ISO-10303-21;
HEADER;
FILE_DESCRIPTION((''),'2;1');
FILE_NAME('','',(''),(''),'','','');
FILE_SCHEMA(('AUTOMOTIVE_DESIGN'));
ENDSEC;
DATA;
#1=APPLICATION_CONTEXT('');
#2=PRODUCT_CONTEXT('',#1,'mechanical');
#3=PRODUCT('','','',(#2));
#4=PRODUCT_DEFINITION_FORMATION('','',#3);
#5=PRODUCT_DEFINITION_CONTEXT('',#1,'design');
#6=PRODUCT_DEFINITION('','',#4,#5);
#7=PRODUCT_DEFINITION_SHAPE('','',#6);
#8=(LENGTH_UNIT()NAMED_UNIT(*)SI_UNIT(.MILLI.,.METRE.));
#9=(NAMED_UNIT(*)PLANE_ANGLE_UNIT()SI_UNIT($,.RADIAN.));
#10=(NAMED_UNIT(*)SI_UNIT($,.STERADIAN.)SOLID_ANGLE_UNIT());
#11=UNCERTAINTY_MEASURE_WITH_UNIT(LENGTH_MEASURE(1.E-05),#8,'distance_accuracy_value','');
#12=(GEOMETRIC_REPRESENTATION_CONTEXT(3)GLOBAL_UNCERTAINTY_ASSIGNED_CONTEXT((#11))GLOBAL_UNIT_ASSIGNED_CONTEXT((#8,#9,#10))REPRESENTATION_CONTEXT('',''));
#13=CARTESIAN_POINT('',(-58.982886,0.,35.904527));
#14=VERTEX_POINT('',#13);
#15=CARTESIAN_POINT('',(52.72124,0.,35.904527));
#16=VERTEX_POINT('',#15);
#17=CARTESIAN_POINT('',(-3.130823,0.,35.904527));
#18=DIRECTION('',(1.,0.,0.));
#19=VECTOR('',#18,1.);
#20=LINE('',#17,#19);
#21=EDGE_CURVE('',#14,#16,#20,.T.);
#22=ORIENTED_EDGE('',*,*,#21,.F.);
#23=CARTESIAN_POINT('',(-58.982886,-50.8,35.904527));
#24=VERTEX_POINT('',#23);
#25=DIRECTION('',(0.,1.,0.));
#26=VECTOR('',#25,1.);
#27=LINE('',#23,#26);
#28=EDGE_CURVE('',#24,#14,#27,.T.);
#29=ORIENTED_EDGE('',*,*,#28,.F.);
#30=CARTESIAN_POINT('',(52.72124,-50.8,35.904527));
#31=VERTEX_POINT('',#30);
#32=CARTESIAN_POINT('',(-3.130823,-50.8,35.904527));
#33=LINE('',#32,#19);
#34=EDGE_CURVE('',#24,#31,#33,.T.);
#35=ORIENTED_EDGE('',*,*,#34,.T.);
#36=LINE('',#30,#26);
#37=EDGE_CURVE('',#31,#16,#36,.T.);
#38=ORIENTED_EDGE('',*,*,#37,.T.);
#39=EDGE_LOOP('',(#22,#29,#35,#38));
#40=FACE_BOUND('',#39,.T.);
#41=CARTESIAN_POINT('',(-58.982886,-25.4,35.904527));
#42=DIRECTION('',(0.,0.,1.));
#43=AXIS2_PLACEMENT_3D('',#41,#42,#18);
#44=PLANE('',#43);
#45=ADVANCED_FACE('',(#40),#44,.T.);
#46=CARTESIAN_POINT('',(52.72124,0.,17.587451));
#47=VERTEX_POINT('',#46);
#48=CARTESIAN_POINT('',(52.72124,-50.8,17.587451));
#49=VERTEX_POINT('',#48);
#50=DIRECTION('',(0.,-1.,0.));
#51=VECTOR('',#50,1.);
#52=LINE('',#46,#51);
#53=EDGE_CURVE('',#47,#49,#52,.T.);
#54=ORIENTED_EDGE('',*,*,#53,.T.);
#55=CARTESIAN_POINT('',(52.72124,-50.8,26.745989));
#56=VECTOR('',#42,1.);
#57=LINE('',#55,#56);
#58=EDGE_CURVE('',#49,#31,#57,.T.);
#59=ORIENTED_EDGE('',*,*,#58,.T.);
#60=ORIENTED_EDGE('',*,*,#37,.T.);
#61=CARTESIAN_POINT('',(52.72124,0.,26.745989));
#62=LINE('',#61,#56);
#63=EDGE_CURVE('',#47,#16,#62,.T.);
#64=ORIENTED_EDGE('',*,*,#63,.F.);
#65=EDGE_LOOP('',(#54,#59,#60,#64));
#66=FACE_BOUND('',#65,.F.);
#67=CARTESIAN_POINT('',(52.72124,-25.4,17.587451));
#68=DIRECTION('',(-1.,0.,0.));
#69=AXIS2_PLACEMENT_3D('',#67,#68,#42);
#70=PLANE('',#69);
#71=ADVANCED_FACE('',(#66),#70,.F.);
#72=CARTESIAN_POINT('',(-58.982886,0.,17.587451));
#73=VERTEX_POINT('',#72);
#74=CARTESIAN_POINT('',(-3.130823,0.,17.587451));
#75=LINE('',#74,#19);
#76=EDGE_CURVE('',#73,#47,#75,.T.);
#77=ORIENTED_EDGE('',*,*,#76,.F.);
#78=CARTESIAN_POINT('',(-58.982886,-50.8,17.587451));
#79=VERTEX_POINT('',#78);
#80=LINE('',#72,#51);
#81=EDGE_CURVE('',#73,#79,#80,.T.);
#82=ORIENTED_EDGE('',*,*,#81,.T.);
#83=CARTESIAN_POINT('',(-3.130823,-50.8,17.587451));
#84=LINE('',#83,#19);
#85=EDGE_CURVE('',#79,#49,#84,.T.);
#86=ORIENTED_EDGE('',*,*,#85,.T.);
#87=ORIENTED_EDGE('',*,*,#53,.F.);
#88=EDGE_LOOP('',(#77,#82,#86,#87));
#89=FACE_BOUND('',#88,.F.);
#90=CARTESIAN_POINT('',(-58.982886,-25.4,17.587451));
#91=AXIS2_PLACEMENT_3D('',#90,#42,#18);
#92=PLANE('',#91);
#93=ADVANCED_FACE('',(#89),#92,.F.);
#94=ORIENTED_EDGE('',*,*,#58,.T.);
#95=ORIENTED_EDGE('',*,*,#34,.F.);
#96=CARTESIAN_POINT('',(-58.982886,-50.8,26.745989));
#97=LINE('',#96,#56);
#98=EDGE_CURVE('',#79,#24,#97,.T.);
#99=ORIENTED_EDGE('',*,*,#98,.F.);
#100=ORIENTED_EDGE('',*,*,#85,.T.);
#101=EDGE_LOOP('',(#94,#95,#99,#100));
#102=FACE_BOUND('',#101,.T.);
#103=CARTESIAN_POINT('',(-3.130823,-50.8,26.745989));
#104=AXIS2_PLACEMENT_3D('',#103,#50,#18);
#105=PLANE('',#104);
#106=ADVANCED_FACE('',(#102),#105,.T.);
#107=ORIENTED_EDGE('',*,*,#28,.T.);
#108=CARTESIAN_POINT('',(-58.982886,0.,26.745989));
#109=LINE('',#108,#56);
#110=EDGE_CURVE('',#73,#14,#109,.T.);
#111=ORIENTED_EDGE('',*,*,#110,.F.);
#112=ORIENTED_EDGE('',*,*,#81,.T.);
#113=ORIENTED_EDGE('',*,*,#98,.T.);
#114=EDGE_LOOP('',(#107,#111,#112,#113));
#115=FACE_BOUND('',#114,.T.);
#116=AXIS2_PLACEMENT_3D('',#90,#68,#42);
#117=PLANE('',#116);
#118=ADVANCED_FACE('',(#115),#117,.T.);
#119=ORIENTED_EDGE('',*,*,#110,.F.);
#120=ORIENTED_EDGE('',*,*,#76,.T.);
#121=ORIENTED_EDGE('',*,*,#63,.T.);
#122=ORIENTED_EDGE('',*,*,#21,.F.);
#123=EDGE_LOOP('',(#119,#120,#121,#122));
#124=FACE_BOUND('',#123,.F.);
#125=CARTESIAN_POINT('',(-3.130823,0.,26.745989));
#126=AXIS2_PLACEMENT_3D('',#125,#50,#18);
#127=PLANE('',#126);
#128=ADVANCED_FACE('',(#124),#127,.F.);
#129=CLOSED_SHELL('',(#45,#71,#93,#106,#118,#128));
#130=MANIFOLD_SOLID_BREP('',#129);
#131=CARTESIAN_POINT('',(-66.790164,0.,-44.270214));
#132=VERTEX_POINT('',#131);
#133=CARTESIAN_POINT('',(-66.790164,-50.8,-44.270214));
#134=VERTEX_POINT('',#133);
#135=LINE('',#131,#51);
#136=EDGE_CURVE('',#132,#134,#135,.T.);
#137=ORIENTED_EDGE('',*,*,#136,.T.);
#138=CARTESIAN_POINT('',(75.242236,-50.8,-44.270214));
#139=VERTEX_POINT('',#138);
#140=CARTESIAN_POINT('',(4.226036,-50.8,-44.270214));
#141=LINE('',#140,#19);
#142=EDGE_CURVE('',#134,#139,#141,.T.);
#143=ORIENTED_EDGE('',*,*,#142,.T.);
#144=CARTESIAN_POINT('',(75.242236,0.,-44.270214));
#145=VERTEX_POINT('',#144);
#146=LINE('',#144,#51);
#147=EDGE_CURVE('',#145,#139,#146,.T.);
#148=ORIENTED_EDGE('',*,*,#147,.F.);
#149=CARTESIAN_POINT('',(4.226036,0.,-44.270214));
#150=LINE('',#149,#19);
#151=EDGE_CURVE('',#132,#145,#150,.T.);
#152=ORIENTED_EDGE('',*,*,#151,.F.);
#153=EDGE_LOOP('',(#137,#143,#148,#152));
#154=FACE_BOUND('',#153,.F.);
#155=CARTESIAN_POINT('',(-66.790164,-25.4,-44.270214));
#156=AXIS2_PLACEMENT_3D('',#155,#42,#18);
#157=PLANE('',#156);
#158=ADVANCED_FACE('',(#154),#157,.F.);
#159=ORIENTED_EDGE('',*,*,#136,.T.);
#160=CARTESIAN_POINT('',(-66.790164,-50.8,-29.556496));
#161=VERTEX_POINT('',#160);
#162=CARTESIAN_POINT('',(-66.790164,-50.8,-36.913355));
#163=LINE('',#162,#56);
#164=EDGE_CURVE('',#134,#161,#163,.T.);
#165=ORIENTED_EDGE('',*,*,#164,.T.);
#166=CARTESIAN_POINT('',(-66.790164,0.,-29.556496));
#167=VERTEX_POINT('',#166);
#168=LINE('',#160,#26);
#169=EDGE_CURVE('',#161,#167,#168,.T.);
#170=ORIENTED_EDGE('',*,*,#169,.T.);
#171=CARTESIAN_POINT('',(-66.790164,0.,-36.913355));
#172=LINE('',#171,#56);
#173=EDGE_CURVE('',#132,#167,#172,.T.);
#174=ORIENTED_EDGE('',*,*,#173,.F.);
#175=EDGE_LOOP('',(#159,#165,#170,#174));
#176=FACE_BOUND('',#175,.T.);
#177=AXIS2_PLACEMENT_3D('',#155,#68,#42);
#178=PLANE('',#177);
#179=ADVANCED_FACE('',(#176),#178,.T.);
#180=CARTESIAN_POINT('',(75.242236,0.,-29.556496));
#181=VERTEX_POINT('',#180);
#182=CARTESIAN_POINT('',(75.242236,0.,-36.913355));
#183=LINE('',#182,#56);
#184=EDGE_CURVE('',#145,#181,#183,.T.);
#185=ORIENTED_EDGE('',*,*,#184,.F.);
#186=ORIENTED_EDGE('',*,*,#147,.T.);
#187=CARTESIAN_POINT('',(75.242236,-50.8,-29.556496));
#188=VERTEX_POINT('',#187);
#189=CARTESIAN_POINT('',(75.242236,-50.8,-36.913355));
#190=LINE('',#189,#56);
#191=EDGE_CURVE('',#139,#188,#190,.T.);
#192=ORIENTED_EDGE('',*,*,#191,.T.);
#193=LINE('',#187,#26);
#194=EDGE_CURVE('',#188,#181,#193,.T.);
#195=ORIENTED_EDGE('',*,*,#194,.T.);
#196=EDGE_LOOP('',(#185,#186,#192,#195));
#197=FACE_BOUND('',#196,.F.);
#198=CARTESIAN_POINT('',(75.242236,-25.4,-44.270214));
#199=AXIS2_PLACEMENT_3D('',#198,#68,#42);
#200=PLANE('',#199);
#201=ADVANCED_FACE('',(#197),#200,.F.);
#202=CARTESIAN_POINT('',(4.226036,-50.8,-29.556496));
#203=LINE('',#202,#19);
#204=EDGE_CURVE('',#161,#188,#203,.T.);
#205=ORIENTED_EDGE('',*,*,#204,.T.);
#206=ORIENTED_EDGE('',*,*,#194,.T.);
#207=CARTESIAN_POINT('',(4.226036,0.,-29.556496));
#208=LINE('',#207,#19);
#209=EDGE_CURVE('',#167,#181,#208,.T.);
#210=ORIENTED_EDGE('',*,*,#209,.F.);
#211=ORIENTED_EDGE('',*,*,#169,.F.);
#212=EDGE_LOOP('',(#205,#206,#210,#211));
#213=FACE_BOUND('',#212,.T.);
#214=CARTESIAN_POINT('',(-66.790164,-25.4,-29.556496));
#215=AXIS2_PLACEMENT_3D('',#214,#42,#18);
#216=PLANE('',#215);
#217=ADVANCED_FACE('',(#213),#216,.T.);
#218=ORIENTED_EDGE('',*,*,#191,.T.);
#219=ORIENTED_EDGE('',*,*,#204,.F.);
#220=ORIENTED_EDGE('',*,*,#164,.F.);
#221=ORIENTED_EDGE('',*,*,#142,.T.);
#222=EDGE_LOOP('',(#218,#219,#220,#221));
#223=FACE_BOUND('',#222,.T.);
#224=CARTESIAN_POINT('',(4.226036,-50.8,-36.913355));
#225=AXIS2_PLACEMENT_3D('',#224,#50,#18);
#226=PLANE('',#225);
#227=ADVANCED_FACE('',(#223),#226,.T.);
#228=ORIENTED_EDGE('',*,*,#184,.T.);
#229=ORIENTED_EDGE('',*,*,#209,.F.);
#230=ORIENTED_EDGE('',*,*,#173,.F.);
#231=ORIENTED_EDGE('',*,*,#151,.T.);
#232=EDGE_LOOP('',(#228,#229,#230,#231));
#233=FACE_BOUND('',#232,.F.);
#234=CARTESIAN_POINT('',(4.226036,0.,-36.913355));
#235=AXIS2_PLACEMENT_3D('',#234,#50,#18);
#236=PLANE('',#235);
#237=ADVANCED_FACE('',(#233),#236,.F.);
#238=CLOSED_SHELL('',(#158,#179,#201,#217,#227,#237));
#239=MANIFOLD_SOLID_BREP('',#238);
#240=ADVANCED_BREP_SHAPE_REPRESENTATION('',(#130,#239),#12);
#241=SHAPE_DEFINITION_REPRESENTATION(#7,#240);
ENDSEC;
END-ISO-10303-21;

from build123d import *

# Parameters (mm, degrees)
F0_W      = 111.704126
F0_H      = 18.317076
F1_DEPTH  = 25.4
F1_FACE_W = 111.704126
F1_FACE_H = 18.317076
F2_DEPTH  = 25.4
F3_W      = 142.0324
F3_H      = 14.713718
F4_DEPTH  = 25.4
F4_FACE_W = 142.0324
F4_FACE_H = 14.713718
F5_DEPTH  = 25.4


with BuildPart() as f1:
    # F0 (on Front) → F1 (new body)
    with BuildSketch(Plane.XZ):
        with Locations((-3.130823, 26.745989)):
            Rectangle(F0_W, F0_H)
    extrude(amount=F1_DEPTH)

    # F1_face (on face) → F2 (join)
    with BuildSketch(Plane(origin=(-3.130823, -25.4, 26.745989), x_dir=(1, 0, 0), z_dir=(0, -1, 0))):
        Rectangle(F1_FACE_W, F1_FACE_H)
    extrude(amount=F2_DEPTH)


with BuildPart() as f4:
    # F3 (on Front) → F4 (new body)
    with BuildSketch(Plane.XZ):
        with Locations((4.226036, -36.913355)):
            Rectangle(F3_W, F3_H)
    extrude(amount=F4_DEPTH)

    # F4_face (on face) → F5 (join)
    with BuildSketch(Plane(origin=(4.226036, -25.4, -36.913355), x_dir=(1, 0, 0), z_dir=(0, -1, 0))):
        Rectangle(F4_FACE_W, F4_FACE_H)
    extrude(amount=F5_DEPTH)


solid = Compound([f1.part, f4.part])
